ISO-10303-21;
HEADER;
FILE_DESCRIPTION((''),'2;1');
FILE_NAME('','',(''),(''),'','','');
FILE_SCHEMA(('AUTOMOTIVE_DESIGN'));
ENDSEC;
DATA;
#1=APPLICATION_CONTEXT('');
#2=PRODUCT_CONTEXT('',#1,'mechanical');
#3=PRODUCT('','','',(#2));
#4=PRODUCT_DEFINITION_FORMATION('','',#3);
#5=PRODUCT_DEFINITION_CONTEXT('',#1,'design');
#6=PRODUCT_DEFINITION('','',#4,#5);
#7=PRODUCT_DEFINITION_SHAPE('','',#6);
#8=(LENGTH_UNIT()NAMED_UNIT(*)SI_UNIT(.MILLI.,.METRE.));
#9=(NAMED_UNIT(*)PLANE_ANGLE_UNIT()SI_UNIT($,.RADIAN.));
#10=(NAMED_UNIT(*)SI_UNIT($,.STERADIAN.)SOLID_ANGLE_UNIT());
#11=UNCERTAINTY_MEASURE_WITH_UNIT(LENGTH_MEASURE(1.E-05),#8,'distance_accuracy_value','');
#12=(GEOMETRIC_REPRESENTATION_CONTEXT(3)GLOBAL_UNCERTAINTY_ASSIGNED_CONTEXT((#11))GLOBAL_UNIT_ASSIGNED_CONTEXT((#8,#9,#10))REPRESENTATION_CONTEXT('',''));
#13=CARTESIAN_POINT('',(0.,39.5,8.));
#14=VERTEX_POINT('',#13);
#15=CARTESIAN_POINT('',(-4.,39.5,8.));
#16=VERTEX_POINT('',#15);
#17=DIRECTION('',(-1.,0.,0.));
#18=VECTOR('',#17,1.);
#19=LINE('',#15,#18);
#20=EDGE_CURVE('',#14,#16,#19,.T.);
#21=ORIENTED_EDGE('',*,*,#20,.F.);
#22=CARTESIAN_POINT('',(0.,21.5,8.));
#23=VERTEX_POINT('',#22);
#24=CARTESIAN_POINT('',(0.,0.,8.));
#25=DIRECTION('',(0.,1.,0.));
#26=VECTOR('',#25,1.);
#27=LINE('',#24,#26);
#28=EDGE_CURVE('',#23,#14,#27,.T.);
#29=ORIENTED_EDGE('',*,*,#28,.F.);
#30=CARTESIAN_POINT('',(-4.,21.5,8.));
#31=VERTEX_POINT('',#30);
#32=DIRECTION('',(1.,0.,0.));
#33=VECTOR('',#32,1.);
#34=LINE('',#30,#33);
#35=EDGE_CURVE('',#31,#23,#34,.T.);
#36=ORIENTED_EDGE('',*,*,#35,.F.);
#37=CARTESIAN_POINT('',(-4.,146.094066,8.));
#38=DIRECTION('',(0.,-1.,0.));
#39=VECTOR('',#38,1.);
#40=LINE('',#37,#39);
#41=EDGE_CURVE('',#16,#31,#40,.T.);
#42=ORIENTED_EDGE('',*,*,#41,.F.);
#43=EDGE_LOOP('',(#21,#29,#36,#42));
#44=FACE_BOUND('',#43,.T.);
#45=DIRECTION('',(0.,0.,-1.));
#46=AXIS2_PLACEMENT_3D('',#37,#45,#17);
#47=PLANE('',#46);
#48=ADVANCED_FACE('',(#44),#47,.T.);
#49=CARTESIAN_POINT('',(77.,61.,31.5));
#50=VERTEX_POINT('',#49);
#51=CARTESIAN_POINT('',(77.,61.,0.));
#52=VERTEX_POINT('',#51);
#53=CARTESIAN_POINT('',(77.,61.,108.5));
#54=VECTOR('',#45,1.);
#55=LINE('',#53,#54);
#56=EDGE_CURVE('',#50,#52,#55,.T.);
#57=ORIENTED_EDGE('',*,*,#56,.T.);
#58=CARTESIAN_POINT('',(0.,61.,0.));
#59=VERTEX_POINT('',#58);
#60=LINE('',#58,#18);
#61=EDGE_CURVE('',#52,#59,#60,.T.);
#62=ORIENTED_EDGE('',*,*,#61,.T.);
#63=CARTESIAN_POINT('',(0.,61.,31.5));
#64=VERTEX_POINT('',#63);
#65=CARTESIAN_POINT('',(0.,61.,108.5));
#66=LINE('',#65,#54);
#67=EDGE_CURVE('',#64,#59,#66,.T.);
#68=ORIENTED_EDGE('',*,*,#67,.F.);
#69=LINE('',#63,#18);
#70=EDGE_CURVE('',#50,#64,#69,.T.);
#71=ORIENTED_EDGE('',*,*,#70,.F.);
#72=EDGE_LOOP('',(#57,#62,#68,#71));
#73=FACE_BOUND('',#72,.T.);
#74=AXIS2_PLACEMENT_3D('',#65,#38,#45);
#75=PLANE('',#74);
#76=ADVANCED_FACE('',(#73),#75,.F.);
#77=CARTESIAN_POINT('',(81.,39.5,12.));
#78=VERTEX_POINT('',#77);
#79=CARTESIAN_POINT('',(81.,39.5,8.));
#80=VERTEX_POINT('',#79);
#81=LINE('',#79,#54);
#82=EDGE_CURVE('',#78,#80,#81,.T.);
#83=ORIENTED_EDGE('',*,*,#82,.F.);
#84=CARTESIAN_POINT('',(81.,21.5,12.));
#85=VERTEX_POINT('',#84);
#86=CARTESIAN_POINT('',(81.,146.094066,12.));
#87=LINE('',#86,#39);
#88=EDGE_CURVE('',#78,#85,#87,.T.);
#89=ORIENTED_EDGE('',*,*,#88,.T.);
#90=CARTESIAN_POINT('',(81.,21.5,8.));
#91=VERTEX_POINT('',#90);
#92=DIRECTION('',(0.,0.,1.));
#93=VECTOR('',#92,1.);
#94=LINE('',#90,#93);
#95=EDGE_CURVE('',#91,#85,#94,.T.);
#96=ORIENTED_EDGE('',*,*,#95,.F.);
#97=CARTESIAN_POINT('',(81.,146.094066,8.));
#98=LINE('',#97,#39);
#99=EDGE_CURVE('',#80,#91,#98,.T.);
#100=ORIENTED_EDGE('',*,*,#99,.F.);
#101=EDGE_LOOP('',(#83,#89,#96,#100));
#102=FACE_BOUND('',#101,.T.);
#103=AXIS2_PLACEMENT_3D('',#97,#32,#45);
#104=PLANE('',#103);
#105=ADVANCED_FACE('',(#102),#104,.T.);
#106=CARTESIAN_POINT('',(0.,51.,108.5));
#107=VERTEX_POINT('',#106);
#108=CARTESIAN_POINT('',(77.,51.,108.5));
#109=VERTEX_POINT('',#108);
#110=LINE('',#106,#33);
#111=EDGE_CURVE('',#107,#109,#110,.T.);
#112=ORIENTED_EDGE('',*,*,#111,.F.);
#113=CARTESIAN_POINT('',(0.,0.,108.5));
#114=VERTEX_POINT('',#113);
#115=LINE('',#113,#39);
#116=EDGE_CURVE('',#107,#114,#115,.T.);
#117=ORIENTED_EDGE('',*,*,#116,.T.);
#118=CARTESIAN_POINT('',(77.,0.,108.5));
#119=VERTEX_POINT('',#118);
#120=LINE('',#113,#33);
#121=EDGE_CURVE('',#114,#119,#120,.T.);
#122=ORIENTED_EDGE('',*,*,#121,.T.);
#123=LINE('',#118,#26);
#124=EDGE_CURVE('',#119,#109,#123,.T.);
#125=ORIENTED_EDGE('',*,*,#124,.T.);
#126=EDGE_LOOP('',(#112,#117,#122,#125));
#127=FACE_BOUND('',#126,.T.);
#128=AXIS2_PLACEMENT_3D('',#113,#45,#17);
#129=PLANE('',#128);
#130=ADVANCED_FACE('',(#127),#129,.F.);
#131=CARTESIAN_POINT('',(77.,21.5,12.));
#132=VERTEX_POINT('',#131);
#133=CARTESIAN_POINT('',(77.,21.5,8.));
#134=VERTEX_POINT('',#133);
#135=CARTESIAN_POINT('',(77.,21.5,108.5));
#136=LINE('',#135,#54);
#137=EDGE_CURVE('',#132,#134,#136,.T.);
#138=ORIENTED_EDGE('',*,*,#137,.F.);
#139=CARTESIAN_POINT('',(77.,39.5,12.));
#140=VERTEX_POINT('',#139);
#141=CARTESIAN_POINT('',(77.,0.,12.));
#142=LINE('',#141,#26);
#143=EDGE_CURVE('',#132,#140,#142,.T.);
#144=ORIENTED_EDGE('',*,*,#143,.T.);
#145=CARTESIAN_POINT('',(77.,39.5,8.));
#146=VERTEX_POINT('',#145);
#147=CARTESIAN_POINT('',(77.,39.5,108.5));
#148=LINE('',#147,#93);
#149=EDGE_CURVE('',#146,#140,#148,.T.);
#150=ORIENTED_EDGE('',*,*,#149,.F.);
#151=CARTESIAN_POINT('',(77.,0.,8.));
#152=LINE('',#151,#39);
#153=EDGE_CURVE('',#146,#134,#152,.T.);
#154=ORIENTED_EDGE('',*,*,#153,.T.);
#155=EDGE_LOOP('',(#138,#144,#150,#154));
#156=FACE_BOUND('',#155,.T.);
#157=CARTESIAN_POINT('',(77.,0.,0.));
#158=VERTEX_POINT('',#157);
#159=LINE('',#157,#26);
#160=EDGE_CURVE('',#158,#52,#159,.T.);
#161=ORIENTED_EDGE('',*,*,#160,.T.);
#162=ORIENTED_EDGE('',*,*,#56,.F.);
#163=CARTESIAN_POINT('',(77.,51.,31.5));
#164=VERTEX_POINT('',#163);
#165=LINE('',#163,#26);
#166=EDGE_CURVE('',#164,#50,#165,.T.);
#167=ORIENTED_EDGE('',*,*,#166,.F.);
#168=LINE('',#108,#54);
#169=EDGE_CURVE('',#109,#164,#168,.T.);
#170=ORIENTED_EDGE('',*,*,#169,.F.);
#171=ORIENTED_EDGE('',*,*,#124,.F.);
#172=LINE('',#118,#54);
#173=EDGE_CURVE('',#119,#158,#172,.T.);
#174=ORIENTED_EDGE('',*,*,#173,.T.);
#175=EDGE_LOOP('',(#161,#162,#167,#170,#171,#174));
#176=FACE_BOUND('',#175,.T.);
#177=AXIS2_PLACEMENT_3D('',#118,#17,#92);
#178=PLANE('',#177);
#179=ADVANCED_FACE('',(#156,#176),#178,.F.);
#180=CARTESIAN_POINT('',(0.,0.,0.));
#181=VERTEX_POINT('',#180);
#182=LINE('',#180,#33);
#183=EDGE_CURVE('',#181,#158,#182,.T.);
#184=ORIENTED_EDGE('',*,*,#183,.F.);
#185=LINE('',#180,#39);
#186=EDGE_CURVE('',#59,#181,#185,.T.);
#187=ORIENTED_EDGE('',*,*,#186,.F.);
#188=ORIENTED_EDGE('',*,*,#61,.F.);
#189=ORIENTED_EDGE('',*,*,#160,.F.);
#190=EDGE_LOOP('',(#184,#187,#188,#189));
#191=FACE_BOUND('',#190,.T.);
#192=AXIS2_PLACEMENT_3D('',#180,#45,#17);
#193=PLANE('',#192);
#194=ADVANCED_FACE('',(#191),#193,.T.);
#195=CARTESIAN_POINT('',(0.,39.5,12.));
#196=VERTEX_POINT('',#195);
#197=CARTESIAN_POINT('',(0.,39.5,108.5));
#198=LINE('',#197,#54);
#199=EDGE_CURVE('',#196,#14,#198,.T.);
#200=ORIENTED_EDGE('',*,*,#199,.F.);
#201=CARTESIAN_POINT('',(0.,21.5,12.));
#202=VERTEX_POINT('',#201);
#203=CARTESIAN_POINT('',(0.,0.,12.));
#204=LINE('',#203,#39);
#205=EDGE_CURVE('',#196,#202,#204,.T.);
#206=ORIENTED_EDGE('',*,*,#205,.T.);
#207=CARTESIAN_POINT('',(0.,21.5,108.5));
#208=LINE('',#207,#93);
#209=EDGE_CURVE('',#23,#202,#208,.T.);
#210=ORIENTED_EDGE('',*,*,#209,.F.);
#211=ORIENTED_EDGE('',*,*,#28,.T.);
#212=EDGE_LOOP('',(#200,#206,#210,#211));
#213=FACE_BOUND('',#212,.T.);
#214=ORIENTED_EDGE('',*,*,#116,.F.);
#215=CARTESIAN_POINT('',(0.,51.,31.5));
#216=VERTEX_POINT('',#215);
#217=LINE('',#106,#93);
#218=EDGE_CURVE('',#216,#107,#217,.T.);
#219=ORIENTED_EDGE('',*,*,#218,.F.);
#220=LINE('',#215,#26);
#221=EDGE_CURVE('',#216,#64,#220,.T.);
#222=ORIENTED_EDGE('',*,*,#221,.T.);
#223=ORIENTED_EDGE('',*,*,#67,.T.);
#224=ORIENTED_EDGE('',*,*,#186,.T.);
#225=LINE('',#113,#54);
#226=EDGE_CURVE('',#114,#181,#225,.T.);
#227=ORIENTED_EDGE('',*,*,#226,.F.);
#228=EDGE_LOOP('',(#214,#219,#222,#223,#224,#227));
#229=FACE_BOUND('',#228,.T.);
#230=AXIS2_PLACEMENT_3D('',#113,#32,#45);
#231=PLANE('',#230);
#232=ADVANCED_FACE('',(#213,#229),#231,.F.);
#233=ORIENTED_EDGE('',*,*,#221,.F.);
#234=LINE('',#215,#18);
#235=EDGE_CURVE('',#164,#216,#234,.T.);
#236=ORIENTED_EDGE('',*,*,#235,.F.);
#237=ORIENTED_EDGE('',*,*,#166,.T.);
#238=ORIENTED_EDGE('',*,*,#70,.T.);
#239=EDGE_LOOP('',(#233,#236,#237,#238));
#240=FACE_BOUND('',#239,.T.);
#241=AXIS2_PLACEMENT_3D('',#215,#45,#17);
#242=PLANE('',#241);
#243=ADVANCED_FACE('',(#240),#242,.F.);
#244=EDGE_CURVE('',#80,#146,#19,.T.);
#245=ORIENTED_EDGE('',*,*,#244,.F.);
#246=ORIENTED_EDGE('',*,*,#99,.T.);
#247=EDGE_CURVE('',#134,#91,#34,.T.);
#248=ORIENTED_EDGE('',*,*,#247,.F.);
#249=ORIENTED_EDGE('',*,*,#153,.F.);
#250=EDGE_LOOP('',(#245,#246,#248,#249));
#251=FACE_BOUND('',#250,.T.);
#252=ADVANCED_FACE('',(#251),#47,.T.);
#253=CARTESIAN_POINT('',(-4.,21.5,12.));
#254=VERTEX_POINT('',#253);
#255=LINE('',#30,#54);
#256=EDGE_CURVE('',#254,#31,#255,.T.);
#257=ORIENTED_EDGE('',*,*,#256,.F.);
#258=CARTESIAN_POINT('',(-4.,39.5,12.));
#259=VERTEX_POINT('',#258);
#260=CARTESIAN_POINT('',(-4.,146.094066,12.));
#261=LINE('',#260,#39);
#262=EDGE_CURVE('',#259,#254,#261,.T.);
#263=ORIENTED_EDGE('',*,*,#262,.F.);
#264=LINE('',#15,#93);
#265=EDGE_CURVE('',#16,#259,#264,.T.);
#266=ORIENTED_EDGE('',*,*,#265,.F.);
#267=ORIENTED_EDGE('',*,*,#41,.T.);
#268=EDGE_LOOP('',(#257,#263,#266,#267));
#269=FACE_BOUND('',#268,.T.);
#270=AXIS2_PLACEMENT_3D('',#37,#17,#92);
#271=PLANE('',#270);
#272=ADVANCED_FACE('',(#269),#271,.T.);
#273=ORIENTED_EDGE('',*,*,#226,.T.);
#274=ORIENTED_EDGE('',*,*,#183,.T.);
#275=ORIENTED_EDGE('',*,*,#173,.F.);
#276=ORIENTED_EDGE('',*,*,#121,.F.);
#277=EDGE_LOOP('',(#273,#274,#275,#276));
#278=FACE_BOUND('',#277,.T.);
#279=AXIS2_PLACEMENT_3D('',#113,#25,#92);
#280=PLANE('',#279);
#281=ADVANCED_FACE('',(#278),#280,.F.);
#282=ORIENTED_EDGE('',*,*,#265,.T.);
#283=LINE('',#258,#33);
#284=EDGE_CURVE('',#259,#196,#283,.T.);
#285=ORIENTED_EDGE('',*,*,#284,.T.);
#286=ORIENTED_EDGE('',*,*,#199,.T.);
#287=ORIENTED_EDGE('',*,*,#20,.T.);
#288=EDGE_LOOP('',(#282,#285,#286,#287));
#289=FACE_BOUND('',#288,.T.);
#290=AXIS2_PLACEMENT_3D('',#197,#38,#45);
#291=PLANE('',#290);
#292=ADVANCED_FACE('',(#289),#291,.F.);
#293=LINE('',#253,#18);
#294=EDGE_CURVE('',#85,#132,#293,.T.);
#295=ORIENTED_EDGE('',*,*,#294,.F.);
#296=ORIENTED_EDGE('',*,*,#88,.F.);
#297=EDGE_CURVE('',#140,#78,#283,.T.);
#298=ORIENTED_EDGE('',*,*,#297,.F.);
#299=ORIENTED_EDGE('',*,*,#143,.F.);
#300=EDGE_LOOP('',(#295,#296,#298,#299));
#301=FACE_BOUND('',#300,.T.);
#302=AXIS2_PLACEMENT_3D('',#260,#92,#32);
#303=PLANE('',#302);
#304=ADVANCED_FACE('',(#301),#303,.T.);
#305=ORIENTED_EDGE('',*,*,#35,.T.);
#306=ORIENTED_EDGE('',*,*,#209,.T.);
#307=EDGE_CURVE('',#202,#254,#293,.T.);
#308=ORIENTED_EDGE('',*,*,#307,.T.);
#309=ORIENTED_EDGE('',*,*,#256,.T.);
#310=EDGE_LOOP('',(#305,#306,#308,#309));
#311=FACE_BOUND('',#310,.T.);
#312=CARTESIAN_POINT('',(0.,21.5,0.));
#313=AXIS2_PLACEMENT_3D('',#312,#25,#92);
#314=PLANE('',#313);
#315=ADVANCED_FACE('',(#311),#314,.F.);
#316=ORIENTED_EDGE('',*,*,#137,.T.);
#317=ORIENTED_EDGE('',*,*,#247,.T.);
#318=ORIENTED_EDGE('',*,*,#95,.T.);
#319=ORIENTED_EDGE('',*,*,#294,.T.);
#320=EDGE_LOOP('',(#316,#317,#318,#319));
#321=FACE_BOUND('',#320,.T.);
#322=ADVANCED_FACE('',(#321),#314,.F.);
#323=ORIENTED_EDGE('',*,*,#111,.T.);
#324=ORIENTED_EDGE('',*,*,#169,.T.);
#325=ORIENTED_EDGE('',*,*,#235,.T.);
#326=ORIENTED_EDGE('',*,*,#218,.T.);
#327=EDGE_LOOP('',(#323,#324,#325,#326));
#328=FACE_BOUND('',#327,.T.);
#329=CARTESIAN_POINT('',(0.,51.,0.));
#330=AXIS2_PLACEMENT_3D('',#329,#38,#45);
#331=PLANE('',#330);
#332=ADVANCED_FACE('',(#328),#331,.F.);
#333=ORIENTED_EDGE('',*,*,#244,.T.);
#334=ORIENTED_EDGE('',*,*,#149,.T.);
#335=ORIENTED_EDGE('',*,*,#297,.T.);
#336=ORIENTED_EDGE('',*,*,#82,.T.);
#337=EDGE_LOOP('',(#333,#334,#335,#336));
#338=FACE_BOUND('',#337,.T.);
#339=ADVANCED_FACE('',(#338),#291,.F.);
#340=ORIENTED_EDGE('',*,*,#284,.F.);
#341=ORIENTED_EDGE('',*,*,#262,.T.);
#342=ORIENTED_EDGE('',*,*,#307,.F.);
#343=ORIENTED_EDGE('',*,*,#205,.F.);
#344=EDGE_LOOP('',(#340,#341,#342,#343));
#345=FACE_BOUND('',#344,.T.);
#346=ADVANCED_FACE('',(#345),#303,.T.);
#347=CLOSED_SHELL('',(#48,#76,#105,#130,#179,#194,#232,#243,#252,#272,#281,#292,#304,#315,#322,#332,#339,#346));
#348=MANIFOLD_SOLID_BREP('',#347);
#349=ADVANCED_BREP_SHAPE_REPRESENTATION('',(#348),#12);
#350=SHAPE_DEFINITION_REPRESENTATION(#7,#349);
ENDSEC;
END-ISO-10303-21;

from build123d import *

# Parameters (mm, degrees)
SKETCH_1_W          = 77
SKETCH_1_H          = 61
EXTRUDE_1_DEPTH     = 108.5
SKETCH_2_W          = 77
SKETCH_2_H          = 77
CUT_EXTRUDE_1_DEPTH = 10
SKETCH_3_W          = 85
SKETCH_3_H          = 4
EXTRUDE_2_DEPTH     = 18


with BuildPart() as part:
    # 草图1 → 凸台-拉伸1 (new body)
    with BuildSketch(Plane.XY):
        with Locations((38.5, 30.5)):
            Rectangle(SKETCH_1_W, SKETCH_1_H)
    extrude(amount=EXTRUDE_1_DEPTH)

    # 草图2 → 切除-拉伸1 (cut)
    with BuildSketch(Plane(origin=(0, 61, 0), x_dir=(1, 0, 0), z_dir=(0, 1, 0))):
        with Locations((38.5, -70)):
            Rectangle(SKETCH_2_W, SKETCH_2_H)
    extrude(amount=-CUT_EXTRUDE_1_DEPTH, mode=Mode.SUBTRACT)

    # 草图3 → 凸台-拉伸2 (add)
    with BuildSketch(Plane(origin=(0, 21.5, 0), x_dir=(-1, 0, 0), z_dir=(0, -1, 0))):
        with Locations((-38.5, -10)):
            Rectangle(SKETCH_3_W, SKETCH_3_H)
    extrude(amount=-EXTRUDE_2_DEPTH)


solid = part.part
